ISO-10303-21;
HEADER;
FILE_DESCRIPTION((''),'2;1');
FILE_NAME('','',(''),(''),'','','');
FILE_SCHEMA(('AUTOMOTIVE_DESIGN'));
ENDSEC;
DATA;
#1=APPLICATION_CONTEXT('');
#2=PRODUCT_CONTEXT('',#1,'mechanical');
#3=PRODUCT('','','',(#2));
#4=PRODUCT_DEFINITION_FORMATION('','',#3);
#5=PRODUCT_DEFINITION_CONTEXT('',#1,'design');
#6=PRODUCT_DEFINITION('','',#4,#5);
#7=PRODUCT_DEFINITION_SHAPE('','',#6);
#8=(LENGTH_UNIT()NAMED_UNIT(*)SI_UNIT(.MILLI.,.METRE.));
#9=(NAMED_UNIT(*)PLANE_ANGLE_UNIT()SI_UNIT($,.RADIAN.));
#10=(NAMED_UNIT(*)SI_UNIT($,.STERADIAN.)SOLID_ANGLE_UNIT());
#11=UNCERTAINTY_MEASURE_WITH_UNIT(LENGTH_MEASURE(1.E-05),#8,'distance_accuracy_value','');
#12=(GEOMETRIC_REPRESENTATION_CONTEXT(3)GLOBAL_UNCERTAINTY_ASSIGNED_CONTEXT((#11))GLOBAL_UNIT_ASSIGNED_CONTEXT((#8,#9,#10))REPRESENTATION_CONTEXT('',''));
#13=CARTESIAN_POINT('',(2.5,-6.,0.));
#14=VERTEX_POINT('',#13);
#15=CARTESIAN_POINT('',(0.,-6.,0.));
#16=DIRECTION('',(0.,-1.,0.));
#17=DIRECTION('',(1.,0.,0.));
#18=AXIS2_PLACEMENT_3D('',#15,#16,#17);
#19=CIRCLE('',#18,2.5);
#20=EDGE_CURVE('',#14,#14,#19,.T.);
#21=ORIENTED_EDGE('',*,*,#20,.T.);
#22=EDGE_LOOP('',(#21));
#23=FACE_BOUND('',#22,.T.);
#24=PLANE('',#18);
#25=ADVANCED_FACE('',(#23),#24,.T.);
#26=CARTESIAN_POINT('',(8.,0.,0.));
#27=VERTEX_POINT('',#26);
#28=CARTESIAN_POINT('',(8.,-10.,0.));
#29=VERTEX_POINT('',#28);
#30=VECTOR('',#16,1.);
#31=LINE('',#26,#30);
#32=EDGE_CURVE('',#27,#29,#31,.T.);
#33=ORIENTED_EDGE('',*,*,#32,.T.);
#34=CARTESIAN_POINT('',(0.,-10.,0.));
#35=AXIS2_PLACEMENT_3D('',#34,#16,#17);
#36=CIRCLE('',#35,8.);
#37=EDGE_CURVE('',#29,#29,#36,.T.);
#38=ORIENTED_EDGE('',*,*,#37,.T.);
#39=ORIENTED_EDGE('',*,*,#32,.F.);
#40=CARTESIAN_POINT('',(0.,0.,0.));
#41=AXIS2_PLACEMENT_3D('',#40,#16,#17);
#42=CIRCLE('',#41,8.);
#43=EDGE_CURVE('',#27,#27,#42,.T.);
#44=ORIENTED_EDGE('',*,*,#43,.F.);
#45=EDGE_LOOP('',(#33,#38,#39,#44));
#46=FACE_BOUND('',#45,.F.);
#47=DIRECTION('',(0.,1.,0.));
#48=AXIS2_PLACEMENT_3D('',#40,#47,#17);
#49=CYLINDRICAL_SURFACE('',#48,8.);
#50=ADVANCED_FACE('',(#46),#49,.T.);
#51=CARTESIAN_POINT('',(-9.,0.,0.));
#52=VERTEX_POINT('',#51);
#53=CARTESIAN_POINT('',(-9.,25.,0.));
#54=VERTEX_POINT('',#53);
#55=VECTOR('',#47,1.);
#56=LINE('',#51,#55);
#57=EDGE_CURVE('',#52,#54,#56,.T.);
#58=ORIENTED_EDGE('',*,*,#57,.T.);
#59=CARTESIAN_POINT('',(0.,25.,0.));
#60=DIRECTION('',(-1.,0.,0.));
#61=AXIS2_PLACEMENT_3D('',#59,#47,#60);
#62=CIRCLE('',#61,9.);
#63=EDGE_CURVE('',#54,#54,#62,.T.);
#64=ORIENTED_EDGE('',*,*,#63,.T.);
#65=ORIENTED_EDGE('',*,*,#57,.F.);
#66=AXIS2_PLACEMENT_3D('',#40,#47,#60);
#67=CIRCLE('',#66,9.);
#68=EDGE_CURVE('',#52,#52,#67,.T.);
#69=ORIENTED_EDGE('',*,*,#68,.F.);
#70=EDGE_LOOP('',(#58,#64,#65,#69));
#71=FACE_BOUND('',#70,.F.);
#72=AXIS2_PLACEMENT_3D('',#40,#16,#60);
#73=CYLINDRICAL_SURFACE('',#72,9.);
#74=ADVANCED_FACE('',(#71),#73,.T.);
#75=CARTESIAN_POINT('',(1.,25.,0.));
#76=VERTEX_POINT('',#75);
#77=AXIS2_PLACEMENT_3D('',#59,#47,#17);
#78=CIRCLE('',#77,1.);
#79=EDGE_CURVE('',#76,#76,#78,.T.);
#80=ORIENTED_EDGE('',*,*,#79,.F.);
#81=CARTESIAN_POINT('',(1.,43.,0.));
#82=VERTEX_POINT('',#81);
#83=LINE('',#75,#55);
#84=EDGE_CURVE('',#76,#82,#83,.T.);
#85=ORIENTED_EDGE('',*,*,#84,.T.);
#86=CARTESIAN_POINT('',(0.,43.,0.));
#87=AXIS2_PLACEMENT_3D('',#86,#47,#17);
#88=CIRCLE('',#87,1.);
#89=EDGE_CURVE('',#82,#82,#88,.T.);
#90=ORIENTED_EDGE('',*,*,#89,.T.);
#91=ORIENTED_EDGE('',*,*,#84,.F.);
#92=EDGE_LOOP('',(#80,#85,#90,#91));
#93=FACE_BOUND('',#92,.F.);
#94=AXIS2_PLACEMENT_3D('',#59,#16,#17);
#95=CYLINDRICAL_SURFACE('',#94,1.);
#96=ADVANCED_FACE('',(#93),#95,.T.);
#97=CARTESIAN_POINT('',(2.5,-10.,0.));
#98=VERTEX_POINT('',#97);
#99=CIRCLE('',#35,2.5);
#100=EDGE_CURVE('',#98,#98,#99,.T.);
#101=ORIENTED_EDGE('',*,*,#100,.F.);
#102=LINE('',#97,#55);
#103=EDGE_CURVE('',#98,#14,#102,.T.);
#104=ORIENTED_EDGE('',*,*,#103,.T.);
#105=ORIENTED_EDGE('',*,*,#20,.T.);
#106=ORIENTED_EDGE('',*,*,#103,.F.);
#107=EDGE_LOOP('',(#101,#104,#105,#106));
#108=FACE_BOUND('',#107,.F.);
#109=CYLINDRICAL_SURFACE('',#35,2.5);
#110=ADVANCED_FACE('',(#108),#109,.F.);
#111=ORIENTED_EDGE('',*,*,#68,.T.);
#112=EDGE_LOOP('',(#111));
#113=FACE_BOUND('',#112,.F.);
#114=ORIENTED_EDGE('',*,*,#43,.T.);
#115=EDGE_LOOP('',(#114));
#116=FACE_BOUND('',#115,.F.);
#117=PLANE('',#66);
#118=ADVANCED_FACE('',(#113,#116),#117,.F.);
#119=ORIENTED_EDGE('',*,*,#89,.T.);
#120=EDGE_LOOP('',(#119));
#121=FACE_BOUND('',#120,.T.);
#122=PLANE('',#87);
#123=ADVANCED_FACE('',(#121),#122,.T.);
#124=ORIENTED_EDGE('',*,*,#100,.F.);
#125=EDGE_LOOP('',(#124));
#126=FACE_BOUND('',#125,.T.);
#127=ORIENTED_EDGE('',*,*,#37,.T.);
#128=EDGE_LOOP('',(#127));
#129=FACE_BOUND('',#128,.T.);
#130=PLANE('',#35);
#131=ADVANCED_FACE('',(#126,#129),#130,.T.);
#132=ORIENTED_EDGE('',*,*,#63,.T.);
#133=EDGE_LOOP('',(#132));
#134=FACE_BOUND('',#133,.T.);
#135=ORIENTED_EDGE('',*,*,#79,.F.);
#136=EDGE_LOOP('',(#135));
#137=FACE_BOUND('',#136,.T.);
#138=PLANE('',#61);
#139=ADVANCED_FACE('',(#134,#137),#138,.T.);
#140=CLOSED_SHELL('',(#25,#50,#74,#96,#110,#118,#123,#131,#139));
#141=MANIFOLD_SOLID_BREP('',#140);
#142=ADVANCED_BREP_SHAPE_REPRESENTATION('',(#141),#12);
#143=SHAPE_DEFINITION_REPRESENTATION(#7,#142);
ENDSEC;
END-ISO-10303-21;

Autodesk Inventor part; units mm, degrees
ref_plane "YZ Plane" through (0, 0, 0) normal (1, 0, 0) x (0, 1, 0)
ref_plane "XZ Plane" through (0, 0, 0) normal (0, 1, 0) x (-1, 0, 0)
ref_plane "XY Plane" through (0, 0, 0) normal (0, 0, 1) x (1, 0, 0)
sketch "Sketch1" plane through (0, 0, 0) normal (0, 1, 0) x (-1, 0, 0)
  circle A0 centre (0, 0) radius 10
  circle A1 centre (0, 0) radius 9
  dimension "d0" = 20
  dimension "d1" = 18
extrude "Extrusion1" add sketch "Sketch1" along normal blind 25 contours A1
sketch "Sketch2" plane through (0, 0, 0) normal (0, -1, 0) x (1, 0, 0)
  circle A0 centre (0, 0) radius 8
  dimension "d4" = 16
extrude "Extrusion2" add sketch "Sketch2" along normal blind 10
sketch "Sketch3" plane through (0, -10, 0) normal (0, -1, 0) x (1, 0, 0)
  circle A0 centre (0, 0) radius 2.5
  dimension "d7" = 5
extrude "Extrusion3" cut sketch "Sketch3" against normal blind 4
sketch "Sketch4" plane through (0, 25, 0) normal (0, 1, 0) x (1, 0, 0)
  circle A0 centre (0, 0) radius 1
  dimension "d10" = 2
extrude "Extrusion4" add sketch "Sketch4" along normal blind 18
sketch "Sketch5" plane through (0, -6, 0) normal (0, -1, 0) x (1, 0, 0)
  point P0 (0, 0)
properties part number "pump"
